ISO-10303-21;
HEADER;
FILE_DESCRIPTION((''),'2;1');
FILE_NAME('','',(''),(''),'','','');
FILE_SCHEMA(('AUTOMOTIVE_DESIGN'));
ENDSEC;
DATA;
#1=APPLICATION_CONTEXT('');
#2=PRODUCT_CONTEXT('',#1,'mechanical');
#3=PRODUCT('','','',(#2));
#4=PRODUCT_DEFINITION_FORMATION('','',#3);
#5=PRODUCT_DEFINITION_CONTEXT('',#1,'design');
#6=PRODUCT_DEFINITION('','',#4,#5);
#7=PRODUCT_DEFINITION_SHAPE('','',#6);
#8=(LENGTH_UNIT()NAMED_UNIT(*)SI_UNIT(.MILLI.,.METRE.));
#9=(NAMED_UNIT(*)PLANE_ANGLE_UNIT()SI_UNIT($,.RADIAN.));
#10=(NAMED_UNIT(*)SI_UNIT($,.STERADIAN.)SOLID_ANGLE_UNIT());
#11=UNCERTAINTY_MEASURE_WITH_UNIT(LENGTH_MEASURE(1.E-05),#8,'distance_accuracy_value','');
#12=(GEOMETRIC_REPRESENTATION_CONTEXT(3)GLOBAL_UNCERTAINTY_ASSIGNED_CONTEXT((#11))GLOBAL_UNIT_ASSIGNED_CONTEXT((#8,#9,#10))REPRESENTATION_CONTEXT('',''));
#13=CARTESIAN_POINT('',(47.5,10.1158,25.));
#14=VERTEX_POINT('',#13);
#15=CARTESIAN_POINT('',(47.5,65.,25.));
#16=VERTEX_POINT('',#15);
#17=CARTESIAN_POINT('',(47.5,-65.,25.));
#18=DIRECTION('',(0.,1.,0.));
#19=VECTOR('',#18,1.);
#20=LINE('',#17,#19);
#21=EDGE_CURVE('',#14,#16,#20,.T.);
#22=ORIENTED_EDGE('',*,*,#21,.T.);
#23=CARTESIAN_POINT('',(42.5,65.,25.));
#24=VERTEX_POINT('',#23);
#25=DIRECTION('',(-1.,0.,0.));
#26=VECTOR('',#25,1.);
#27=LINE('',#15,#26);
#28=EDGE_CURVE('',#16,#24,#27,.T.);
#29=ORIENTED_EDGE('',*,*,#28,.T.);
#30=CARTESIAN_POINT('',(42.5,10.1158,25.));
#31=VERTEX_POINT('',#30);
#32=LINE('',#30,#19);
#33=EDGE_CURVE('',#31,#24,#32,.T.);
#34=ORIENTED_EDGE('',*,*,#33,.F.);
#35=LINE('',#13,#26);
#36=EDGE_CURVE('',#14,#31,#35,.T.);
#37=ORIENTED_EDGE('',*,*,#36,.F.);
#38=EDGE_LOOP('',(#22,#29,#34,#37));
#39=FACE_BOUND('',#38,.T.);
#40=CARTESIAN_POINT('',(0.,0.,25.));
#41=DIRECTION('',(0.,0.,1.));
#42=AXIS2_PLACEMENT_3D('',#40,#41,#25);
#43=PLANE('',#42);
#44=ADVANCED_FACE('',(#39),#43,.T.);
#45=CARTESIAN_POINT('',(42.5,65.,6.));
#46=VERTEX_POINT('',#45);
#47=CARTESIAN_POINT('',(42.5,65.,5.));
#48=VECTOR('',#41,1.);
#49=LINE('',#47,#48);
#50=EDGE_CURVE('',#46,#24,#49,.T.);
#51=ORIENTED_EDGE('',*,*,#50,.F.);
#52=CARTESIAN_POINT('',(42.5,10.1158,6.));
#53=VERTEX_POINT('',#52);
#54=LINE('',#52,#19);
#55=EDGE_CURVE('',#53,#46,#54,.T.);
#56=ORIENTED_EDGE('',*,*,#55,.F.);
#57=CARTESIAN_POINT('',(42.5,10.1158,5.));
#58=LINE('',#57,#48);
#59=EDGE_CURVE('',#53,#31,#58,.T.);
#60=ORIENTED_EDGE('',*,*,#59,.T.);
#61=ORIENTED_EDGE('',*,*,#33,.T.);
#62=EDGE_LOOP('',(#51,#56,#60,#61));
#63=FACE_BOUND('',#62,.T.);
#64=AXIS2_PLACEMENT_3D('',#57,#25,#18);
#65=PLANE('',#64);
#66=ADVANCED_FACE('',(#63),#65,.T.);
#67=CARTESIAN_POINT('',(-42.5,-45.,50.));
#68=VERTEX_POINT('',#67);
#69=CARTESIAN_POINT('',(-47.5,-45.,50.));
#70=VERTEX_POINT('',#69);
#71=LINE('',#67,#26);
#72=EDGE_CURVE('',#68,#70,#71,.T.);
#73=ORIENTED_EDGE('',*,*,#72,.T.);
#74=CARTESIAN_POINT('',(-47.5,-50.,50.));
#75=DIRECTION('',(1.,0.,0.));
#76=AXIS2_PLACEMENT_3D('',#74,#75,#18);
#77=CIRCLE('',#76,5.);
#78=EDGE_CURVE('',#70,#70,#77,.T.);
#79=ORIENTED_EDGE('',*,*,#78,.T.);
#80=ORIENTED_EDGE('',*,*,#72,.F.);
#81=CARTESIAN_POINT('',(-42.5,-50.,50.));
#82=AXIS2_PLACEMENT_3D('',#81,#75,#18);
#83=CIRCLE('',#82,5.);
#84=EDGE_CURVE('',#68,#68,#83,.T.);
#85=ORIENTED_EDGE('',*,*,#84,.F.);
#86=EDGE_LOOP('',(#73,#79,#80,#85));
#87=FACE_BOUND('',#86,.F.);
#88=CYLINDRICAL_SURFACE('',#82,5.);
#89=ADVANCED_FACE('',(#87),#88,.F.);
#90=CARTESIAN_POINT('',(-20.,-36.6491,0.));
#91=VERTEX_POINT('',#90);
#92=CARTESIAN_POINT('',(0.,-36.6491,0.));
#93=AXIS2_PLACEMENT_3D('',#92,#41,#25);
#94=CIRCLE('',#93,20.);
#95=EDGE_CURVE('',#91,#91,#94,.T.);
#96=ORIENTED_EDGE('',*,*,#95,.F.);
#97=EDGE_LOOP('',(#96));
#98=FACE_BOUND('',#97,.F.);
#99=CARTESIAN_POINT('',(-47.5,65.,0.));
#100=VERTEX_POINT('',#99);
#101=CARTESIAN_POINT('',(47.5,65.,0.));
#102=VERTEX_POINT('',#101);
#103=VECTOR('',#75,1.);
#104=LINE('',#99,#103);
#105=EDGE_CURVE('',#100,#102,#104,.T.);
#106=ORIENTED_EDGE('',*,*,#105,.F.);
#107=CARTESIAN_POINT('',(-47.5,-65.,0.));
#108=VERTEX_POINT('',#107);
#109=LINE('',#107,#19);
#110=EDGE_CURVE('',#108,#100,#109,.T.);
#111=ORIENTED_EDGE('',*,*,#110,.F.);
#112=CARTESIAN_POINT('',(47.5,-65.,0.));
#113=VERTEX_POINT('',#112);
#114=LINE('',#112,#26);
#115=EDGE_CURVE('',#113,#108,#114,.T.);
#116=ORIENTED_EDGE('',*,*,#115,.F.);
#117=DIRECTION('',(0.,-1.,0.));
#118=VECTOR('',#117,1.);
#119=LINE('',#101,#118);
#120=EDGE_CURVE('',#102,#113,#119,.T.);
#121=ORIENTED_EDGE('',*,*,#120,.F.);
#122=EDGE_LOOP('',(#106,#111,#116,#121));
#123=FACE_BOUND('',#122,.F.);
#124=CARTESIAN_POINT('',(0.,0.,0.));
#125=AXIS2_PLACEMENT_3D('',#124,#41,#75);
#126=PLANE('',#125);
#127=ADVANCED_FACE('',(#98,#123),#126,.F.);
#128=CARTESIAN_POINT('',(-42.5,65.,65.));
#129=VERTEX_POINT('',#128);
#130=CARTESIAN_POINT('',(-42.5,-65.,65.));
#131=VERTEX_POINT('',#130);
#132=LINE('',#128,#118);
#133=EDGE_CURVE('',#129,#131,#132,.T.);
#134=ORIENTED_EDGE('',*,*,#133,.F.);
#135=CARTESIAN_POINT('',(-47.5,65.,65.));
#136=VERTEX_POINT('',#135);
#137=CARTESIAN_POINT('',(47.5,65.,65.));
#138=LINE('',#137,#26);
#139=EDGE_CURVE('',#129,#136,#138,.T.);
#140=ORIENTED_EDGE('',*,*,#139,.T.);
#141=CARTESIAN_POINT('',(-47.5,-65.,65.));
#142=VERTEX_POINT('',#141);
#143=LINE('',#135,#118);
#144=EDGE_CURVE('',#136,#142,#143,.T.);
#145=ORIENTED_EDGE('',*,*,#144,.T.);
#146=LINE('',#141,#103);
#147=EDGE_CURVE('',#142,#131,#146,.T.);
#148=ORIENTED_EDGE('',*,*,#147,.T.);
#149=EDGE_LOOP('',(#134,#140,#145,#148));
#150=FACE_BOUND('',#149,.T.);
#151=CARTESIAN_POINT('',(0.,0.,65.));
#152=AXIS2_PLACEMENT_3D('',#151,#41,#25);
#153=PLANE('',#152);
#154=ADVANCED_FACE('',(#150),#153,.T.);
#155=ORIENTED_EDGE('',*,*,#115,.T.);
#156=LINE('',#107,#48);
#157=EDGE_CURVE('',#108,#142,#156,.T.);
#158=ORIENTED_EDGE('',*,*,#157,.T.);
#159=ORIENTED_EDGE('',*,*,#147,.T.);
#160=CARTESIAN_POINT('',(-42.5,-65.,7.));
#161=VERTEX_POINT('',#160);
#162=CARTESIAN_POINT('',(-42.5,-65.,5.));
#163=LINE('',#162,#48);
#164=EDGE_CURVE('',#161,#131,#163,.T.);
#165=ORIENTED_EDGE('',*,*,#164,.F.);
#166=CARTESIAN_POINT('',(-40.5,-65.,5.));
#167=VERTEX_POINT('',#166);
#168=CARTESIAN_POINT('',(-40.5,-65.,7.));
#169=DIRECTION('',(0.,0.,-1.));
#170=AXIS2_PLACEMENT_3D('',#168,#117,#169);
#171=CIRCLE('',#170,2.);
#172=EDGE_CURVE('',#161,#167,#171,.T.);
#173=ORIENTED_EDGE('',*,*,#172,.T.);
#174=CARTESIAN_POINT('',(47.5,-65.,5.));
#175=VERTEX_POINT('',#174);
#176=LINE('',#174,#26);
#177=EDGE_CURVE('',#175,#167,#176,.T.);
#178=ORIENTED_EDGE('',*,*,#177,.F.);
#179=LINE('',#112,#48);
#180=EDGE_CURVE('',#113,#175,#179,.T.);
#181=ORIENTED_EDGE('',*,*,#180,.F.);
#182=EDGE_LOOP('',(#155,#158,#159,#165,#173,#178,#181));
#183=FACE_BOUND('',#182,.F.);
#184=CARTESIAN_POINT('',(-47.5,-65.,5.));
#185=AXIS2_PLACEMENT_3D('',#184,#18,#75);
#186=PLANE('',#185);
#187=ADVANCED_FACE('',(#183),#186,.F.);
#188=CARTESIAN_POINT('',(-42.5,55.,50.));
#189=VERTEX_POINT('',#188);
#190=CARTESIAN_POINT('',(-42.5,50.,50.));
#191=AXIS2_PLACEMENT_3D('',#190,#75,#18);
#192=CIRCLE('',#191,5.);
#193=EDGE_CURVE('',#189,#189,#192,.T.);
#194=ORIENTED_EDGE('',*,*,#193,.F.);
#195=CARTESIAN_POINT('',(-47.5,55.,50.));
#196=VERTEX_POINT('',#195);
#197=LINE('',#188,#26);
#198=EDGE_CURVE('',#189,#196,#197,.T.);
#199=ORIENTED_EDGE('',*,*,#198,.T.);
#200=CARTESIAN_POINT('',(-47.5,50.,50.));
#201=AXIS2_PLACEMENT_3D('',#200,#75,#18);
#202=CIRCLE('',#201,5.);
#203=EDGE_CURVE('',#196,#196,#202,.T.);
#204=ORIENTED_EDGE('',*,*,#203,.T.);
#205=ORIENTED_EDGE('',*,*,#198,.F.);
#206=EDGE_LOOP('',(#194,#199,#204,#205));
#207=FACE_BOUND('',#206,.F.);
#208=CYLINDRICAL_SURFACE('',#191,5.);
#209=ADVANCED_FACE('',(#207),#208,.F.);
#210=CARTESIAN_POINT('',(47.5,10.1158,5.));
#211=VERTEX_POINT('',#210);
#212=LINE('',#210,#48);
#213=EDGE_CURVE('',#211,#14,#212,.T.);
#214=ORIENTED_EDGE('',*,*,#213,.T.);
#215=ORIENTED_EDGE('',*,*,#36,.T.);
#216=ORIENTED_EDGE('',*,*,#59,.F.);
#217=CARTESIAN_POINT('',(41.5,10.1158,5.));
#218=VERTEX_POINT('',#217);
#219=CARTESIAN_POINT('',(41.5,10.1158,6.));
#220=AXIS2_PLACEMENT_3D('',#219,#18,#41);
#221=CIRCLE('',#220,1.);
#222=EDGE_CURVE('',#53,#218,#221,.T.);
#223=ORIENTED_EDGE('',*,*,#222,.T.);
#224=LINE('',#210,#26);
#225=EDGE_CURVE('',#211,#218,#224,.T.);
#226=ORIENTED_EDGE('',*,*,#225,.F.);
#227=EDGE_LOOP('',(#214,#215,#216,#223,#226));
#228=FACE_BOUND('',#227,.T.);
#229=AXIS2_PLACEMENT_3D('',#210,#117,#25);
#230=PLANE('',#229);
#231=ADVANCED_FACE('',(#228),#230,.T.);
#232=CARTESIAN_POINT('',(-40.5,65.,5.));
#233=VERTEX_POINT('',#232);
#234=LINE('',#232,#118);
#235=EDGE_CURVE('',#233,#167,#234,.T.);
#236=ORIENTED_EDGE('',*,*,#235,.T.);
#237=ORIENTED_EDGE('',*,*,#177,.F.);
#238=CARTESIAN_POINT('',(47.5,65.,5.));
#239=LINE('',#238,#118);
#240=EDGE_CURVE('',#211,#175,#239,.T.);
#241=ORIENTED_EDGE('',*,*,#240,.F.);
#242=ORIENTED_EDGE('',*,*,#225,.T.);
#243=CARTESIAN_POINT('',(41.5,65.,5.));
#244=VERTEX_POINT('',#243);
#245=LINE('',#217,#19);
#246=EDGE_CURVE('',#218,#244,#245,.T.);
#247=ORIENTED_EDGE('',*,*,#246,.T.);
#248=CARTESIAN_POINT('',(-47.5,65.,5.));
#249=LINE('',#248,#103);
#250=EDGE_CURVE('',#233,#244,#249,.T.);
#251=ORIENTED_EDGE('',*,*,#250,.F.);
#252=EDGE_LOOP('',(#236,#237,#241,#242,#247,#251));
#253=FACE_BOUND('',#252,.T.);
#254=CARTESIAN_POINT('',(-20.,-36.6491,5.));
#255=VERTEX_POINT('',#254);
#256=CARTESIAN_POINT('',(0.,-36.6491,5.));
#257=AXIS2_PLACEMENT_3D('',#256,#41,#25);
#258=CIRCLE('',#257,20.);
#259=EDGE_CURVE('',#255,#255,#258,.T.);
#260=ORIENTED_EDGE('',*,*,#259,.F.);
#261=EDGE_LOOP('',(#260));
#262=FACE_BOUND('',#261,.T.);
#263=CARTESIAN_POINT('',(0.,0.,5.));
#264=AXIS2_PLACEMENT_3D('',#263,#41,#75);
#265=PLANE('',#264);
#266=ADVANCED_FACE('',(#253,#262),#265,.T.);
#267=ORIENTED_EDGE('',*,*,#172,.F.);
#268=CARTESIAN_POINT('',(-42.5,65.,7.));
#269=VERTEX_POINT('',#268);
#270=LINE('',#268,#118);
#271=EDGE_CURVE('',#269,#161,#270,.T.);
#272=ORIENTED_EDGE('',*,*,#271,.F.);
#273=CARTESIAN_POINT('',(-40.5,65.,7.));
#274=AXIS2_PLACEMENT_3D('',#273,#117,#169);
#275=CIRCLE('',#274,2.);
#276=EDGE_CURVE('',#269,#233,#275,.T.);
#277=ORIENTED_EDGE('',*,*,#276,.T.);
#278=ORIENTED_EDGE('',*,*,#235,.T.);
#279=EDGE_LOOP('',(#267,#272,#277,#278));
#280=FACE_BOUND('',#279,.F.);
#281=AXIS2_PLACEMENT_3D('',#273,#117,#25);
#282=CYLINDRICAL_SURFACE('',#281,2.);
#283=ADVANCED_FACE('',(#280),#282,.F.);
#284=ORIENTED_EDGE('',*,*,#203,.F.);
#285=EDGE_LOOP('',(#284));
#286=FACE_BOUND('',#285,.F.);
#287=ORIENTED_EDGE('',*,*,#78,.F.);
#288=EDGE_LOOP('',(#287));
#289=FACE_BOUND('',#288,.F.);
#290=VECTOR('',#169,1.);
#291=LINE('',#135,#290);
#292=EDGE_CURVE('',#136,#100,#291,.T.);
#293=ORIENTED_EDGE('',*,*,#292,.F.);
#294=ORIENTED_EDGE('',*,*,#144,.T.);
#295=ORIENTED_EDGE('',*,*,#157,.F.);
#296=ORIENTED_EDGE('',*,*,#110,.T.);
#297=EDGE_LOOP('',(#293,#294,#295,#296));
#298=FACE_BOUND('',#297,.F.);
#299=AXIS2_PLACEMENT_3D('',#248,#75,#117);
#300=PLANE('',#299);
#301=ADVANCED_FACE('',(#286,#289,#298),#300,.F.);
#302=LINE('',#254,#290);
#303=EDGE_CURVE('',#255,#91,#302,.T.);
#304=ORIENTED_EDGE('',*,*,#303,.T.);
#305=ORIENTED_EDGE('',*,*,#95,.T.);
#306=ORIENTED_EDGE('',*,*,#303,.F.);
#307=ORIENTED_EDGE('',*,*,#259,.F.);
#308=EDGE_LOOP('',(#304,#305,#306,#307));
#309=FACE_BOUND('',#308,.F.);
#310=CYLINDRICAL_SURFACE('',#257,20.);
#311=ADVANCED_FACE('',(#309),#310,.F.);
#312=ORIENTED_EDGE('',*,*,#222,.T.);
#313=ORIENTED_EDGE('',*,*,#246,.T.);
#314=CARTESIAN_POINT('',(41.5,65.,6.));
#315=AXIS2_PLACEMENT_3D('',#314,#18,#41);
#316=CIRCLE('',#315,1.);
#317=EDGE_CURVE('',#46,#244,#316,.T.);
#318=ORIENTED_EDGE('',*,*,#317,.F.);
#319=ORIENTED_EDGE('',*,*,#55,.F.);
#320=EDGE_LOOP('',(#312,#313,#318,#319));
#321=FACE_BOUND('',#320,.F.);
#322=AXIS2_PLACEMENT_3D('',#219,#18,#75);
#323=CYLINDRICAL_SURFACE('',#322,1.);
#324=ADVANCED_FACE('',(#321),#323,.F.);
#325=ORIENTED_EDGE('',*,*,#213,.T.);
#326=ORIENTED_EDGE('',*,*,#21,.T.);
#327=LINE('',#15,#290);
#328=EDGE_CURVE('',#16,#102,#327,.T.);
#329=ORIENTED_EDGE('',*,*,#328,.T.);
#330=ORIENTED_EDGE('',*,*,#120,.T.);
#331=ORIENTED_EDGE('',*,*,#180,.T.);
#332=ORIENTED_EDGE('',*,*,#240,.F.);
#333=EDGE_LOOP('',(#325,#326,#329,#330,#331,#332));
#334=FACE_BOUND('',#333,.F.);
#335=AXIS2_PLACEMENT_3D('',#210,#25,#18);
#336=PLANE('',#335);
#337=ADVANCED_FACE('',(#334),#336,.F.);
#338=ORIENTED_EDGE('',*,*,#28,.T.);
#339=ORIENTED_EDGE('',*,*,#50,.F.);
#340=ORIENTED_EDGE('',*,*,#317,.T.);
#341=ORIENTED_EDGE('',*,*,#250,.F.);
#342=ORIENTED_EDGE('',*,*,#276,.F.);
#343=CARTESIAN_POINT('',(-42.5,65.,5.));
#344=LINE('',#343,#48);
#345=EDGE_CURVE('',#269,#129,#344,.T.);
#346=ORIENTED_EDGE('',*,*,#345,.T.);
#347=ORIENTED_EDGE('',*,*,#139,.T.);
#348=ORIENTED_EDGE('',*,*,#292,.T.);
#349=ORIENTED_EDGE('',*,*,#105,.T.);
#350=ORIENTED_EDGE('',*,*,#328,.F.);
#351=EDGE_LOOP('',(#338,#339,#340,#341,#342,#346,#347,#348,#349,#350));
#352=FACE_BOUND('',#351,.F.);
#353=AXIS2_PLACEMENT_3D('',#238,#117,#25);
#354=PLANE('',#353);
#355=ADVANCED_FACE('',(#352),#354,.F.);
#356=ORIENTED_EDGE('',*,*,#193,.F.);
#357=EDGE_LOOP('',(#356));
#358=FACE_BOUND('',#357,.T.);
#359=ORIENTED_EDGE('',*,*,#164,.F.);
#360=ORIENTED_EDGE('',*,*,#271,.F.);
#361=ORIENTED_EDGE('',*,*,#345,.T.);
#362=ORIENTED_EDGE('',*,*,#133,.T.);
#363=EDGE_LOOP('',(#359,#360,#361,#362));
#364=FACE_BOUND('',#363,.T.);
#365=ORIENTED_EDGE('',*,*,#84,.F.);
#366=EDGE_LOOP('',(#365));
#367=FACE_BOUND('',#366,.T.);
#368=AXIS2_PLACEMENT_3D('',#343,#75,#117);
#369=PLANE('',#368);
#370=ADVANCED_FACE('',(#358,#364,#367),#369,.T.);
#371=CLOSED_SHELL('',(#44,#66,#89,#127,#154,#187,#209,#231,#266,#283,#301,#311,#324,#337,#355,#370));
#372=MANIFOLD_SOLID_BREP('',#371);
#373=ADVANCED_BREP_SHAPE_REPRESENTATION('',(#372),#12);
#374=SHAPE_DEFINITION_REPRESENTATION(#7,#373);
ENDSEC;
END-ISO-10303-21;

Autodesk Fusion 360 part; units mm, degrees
sketch "Sketch1" plane through (0, 0, 0) normal (0, 0, 1) x (1, 0, 0)
  line L0 (-45, 60) -> (45, 60)
  line L1 (45, 60) -> (45, -60)
  line L2 (45, -60) -> (-45, -60)
  line L3 (-45, -60) -> (-45, 60)
  line L4 (-45, 60) -> (45, -60) construction
  line L5 (45, 60) -> (-45, -60) construction
  dimension "d1" = 90
  dimension "d2" = 120
sketch "Sketch3" plane through (0, 0, 0) normal (0, 0, 1) x (1, 0, 0)
  line L0 (-47.5, 65) -> (47.5, 65)
  line L1 (47.5, 65) -> (47.5, -65)
  line L2 (47.5, -65) -> (-47.5, -65)
  line L3 (-47.5, -65) -> (-47.5, 65)
  line L4 (-47.5, 65) -> (47.5, -65) construction
  line L5 (47.5, 65) -> (-47.5, -65) construction
  dimension "d8" = 95
  dimension "d9" = 130
extrude "Extrude3" add sketch "Sketch3" along normal blind 5
sketch "Sketch4" plane through (0, 0, 5) normal (0, 0, 1) x (-1, 0, 0)
  line L0 (47.5, 65) -> (-47.5, 65)
  line L1 (-47.5, 65) -> (-47.5, -65)
  line L2 (-47.5, -65) -> (47.5, -65)
  line L3 (47.5, -65) -> (47.5, 65)
  circle A0 centre (0, 36.6491) radius 20
  dimension "d12" = 40
extrude "Extrude4" cut sketch "Sketch4" against normal blind 10 contours A0
sketch "Sketch5" plane through (0, 0, 5) normal (0, 0, 1) x (-1, 0, 0)
  circle A0 centre (0, 36.6491) radius 20
  line L0 (47.5, 65) -> (-47.5, 65)
  line L1 (-47.5, 65) -> (-47.5, -65)
  line L2 (-47.5, -65) -> (47.5, -65)
  line L3 (47.5, -65) -> (47.5, 65)
  line L4 (47.5, -65) -> (42.5, -65)
  line L5 (42.5, -65) -> (42.5, 65)
  line L6 (42.5, 65) -> (47.5, 65)
  line L7 (47.5, 65) -> (47.5, -65)
  dimension "d15" = 5
extrude "Extrude5" add sketch "Sketch5" along normal blind 60 contours L0 L2 L3 L4 L5 L6 L7
fillet "Fillet1" radius 2 1 edges at (-42.5, 0, 5)
sketch "Sketch6" plane through (-42.5, 0, 0) normal (1, 0, 0) x (0, 1, 0)
  line L0 (-65, 7) -> (65, 7)
  line L1 (65, 7) -> (65, 65)
  line L2 (65, 65) -> (-65, 65)
  line L3 (-65, 65) -> (-65, 7)
  circle A0 centre (-50, 50) radius 5
  circle A1 centre (50, 50) radius 5
  dimension "d20" = 10
  dimension "d21" = 10
extrude "Extrude6" cut sketch "Sketch6" against normal blind 10 contours A0
sketch "Sketch7" plane through (-42.5, 0, 0) normal (1, 0, 0) x (0, 1, 0)
  circle A0 centre (-50, 50) radius 5
  line L0 (-65, 7) -> (65, 7)
  line L1 (65, 7) -> (65, 65)
  line L2 (65, 65) -> (-65, 65)
  line L3 (-65, 65) -> (-65, 7)
  circle A1 centre (50, 50) radius 5
  dimension "d24" = 10
extrude "Extrude7" cut sketch "Sketch7" against normal blind 20 contours A1
sketch "Sketch8" plane through (0, 0, 5) normal (0, 0, 1) x (-1, 0, 0)
  line L0 (40.5, -65) -> (40.5, 65)
  line L1 (40.5, 65) -> (-47.5, 65)
  line L2 (-47.5, 65) -> (-47.5, -65)
  line L3 (-47.5, -65) -> (40.5, -65)
  circle A0 centre (0, 36.6491) radius 20
  line L4 (-47.5, -10.1158) -> (-42.5, -10.1158)
  line L5 (-42.5, -10.1158) -> (-42.5, -65)
  line L6 (-42.5, -65) -> (-47.5, -65)
  line L7 (-47.5, -65) -> (-47.5, -10.1158)
  dimension "d27" = 5
extrude "Extrude8" add sketch "Sketch8" along normal blind 20 contours L2 L3 L4 L5 L6 L7
fillet "Fillet2" radius 1 1 edges at (42.5, 37.5579, 5)
extrude "Extrude1" [suppressed]
sketch "Sketch2" plane through (0, 0, 5) normal (0, 0, 1) x (-1, 0, 0)
  line L0 (45, 60) -> (-45, 60)
  line L1 (-45, 60) -> (-45, -60)
  line L2 (-45, -60) -> (45, -60)
  line L3 (45, -60) -> (45, 60)
  circle A0 centre (0, 0) radius 20
  dimension "d5" = 40
extrude "Extrude2" [suppressed]
